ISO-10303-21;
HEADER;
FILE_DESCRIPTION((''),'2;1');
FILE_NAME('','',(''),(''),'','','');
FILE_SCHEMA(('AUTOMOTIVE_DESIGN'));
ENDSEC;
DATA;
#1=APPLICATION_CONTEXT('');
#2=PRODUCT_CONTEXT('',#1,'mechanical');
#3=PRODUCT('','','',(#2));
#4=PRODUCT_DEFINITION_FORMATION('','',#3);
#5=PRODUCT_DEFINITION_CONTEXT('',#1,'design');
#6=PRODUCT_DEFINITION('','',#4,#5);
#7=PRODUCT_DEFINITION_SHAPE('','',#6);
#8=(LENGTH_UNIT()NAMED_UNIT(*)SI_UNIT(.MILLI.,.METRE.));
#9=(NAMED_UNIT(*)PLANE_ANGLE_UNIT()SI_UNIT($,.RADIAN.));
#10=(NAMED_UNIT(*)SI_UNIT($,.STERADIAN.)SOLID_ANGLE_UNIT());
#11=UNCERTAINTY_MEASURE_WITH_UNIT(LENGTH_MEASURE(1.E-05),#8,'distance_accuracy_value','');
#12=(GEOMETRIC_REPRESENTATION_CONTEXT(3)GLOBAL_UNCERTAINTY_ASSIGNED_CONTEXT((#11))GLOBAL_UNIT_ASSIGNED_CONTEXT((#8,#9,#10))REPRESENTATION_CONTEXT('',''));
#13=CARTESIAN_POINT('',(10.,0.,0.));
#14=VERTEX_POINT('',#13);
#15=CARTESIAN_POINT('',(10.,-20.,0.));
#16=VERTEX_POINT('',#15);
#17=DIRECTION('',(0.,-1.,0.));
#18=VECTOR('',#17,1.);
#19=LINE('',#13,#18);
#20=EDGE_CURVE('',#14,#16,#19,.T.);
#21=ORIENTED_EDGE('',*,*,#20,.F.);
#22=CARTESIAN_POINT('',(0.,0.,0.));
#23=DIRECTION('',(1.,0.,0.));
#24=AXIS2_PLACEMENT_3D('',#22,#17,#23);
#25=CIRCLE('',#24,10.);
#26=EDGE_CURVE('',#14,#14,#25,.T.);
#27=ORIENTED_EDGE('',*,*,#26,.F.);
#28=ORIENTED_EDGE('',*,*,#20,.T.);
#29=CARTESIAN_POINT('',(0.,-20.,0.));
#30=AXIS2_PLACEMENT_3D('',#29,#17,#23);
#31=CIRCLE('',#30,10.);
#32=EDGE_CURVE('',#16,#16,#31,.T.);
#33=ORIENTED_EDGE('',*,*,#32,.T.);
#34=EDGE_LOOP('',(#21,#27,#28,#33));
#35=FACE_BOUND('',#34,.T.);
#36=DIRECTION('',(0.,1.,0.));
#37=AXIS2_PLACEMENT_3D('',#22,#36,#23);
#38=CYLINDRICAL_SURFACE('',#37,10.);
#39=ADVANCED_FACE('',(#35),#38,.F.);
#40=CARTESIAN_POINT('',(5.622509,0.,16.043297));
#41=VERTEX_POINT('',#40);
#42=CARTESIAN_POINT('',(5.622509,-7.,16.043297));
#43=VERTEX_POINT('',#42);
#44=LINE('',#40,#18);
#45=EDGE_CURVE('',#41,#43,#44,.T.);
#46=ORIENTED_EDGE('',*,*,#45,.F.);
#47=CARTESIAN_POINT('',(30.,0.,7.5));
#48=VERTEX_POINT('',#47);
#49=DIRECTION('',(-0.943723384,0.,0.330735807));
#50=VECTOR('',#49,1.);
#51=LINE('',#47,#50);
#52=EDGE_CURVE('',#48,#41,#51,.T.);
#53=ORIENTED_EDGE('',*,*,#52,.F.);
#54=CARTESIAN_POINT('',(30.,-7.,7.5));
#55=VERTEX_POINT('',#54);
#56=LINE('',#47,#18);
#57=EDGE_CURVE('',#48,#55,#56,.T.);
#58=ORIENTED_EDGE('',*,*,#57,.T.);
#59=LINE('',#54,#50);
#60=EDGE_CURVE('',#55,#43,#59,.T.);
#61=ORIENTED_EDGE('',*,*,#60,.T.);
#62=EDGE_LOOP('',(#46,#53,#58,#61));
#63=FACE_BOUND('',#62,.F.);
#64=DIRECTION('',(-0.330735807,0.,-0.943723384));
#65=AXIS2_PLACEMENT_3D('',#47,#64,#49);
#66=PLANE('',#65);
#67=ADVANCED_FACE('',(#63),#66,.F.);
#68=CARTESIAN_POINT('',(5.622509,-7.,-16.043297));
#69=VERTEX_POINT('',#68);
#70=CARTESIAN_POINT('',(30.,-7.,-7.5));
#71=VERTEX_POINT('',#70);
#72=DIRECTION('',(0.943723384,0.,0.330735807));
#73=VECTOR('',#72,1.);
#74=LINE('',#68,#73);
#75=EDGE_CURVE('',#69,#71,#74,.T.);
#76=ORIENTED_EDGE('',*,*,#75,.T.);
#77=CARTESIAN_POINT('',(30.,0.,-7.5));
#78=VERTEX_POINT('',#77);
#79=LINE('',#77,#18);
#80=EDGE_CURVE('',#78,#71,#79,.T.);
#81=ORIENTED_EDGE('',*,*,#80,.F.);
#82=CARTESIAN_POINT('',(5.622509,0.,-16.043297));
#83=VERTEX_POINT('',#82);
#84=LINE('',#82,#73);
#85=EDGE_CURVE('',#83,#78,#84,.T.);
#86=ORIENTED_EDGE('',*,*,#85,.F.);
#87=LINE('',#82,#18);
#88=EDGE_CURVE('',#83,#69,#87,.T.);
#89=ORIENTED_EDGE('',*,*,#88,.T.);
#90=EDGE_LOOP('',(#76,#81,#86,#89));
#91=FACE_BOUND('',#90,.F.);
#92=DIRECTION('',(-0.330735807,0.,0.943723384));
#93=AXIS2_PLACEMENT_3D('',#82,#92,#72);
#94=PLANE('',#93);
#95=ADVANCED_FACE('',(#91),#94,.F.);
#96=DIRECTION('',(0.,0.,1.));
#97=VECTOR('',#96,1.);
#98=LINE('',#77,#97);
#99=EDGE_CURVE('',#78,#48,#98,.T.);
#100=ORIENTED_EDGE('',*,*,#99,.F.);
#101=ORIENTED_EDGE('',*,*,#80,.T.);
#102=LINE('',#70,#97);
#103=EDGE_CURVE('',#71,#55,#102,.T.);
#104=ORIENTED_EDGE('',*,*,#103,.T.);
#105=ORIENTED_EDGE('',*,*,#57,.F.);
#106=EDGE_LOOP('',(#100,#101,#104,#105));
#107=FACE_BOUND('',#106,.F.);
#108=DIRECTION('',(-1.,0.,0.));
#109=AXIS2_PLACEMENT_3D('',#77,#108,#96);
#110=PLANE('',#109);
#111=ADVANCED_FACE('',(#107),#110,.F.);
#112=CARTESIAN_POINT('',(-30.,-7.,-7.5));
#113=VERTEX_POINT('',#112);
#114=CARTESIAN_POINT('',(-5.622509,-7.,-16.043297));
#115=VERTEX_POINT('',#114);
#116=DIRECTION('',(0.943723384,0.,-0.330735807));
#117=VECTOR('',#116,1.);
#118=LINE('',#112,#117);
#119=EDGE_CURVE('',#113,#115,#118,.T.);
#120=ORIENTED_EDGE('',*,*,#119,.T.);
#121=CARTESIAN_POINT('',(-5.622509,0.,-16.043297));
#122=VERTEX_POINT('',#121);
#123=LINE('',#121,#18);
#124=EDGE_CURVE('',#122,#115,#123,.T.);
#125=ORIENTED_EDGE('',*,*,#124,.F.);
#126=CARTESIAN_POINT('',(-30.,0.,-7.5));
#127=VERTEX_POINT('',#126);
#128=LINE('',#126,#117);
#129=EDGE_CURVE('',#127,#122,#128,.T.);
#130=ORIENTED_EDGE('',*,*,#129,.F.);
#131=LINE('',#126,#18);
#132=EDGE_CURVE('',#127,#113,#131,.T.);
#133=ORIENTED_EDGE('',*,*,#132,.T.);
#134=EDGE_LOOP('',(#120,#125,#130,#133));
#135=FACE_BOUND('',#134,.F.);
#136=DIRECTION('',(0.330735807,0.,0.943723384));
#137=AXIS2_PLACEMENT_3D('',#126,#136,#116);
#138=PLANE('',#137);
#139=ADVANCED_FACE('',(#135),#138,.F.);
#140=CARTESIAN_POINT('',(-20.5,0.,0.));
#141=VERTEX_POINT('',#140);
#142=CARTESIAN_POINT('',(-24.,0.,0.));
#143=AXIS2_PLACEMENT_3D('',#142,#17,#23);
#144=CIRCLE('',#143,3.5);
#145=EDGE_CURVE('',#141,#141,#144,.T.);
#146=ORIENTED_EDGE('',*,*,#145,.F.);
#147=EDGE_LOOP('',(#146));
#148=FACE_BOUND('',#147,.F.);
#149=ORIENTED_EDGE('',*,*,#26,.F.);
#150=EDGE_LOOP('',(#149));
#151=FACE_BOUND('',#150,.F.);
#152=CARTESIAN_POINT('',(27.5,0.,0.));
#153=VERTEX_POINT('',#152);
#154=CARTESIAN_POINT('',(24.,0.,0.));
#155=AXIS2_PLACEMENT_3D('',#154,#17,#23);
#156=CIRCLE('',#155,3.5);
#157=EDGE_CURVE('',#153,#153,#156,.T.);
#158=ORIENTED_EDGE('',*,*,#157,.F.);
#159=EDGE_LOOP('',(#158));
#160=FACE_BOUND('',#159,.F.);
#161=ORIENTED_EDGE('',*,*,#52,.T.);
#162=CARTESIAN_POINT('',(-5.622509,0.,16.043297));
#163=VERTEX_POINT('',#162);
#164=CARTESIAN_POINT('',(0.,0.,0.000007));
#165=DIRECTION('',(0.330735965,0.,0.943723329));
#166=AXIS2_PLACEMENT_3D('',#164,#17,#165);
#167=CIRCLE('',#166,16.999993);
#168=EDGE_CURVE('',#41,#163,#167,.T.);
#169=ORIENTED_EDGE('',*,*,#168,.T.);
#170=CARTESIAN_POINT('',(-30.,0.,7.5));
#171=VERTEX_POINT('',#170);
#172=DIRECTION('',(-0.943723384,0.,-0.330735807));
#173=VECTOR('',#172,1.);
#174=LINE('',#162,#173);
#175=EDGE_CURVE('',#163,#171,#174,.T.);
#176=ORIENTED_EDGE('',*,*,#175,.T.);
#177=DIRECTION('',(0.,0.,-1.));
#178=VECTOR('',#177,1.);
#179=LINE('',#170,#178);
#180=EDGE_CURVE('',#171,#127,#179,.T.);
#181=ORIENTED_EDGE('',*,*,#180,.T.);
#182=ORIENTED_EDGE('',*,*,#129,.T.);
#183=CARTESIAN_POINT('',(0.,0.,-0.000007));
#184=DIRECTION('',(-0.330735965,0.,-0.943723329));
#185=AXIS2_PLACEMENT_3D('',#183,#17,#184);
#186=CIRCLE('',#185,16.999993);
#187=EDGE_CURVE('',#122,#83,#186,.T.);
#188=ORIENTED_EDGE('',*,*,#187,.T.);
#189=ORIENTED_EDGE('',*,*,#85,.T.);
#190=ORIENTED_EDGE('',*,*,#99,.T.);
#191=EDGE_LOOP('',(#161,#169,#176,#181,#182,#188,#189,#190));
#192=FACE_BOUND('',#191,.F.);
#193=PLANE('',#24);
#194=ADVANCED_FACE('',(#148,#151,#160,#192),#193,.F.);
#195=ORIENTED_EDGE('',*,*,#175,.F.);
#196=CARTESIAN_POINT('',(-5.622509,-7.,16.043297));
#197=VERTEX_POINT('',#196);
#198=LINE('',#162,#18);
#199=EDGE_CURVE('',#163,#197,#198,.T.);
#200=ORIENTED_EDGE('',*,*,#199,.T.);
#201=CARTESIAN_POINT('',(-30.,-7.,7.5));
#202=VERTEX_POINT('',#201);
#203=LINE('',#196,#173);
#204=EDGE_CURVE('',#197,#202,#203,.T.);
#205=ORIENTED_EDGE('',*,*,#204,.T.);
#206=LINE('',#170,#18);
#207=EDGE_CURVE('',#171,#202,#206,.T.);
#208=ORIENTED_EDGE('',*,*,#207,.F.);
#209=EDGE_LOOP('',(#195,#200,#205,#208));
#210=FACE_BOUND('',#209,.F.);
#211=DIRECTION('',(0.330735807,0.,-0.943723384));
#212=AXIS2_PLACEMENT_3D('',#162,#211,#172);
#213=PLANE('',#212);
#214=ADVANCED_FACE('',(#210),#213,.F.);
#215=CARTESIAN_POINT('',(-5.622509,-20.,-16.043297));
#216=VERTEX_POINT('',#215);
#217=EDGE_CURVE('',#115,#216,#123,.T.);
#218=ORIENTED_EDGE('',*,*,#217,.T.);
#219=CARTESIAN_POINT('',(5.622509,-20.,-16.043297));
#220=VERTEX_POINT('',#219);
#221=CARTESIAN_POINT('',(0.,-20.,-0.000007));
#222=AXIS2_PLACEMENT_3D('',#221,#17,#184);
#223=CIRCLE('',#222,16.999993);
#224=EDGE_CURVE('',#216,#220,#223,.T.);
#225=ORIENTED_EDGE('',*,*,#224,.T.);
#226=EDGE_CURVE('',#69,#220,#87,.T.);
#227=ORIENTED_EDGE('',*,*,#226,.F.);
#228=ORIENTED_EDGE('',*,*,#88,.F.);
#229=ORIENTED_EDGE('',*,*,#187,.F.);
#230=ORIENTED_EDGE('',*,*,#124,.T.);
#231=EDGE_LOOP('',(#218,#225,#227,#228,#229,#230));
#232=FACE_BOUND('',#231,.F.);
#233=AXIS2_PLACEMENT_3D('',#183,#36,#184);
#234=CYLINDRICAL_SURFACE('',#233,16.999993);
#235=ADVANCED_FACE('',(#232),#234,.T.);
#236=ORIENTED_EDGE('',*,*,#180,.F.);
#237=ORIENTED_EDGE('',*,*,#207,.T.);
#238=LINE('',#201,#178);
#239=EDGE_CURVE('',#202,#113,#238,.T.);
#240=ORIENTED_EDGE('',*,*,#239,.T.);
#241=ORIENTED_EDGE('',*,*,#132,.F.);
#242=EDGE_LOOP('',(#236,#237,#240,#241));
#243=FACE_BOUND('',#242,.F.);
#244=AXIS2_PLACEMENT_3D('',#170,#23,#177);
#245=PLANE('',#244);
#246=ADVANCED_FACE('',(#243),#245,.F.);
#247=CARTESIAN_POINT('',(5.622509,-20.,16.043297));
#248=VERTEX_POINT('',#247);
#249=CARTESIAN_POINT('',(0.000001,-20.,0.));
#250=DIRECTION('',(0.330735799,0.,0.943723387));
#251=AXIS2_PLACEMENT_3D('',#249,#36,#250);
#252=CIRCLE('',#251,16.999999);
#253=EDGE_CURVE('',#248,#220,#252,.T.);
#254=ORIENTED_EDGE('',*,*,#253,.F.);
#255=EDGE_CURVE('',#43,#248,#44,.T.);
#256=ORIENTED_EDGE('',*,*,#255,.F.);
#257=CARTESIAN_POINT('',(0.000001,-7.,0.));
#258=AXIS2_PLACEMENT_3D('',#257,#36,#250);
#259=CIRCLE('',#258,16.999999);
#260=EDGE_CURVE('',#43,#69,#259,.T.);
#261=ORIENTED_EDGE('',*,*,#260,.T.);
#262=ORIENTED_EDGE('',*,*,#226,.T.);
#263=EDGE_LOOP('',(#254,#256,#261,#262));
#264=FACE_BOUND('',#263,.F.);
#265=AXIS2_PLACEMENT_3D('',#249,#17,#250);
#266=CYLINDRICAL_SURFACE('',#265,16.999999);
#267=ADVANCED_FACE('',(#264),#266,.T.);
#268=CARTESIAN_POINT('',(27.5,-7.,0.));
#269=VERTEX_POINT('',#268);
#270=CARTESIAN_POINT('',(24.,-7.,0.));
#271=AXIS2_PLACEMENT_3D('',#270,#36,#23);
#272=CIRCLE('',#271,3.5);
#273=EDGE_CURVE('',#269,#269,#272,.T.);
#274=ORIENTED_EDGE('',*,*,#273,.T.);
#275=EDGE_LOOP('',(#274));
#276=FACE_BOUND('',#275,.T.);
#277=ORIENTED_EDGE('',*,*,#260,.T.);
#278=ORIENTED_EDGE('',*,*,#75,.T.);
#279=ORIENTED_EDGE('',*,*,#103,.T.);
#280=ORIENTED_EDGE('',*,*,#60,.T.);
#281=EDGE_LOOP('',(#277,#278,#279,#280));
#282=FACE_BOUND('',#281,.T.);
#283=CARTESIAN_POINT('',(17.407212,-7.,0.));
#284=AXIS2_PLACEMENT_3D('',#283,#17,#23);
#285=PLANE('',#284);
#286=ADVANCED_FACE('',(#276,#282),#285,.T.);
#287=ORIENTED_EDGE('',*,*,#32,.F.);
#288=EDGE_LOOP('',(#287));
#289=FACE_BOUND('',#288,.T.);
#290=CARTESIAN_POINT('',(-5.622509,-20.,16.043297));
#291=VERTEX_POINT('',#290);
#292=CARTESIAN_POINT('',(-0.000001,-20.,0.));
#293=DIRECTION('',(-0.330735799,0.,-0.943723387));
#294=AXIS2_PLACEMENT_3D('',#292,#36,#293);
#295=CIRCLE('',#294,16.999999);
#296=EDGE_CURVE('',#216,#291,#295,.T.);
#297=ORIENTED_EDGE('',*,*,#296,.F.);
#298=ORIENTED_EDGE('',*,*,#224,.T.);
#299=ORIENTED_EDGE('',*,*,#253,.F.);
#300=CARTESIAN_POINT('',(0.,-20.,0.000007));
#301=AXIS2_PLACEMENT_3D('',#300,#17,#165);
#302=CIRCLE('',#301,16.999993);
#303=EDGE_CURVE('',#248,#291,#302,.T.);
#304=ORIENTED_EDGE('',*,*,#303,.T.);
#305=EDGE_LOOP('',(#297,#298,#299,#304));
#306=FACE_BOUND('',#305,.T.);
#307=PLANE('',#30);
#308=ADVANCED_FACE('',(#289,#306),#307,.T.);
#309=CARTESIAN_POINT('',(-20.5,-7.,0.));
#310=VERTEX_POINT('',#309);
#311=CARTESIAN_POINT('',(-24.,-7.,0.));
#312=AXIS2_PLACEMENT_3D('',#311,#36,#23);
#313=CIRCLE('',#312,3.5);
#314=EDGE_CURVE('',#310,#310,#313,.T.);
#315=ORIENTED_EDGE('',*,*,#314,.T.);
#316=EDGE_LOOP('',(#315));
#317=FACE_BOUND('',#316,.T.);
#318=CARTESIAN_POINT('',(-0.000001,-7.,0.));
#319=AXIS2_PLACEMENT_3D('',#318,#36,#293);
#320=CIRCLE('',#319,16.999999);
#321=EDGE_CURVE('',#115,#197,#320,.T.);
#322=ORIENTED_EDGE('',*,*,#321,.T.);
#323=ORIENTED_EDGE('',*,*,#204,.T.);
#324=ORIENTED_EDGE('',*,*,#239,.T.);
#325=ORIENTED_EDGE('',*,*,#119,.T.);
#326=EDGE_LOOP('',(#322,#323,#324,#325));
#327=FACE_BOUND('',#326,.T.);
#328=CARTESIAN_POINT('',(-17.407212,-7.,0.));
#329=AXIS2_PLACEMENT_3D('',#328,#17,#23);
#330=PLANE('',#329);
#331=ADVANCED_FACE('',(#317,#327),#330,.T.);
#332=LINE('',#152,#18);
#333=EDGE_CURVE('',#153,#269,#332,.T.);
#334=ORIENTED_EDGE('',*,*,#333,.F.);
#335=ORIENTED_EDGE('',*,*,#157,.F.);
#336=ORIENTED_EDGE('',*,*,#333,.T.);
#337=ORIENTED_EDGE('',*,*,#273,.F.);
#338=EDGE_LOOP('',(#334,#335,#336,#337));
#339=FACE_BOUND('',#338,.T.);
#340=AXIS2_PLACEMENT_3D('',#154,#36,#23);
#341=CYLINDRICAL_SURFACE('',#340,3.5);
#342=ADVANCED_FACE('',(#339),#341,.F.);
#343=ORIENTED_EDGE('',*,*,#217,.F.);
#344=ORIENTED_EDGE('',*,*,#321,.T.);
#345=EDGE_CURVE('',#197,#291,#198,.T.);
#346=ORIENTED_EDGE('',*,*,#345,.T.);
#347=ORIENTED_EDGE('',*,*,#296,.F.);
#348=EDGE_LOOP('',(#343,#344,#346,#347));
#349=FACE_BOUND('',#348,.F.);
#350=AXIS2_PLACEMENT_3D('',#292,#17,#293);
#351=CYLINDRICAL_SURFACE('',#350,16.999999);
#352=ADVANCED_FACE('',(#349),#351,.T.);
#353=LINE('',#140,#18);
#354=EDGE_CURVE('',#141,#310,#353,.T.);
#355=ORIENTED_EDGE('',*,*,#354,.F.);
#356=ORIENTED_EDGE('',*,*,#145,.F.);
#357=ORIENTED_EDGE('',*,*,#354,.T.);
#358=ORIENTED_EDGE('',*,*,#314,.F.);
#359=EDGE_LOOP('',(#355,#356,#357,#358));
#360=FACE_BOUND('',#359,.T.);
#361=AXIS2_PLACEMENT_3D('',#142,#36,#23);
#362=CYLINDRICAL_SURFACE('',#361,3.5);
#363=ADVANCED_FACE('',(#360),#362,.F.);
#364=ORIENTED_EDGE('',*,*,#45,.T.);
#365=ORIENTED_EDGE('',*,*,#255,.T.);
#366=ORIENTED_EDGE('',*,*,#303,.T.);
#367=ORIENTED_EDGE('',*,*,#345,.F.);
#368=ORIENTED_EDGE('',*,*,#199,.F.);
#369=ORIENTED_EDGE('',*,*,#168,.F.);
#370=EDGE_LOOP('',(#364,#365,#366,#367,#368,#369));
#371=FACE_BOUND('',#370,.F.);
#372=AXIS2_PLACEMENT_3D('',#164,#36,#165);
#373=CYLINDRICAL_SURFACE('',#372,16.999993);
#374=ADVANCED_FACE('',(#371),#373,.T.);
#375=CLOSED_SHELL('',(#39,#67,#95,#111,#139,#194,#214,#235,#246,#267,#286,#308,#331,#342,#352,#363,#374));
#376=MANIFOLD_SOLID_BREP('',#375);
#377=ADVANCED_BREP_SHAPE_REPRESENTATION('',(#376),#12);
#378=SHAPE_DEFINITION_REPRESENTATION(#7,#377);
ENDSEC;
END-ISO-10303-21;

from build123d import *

# Parameters (mm, degrees)
F0_R     = 3.5
F0_R_2   = 10
F1_DEPTH = 20
F3_DEPTH = 13


with BuildPart() as f1:
    # F0 (on Front) → F1 (new body)
    with BuildSketch(Plane.XZ):
        with BuildLine():
            Line((30, -7.5), (30, 7.5))
            Line((30, 7.5), (5.622509, 16.043297))
            ThreePointArc((5.622509, 16.043297), (0, 17), (-5.622509, 16.043297))
            Line((-5.622509, 16.043297), (-30, 7.5))
            Line((-30, 7.5), (-30, -7.5))
            Line((-30, -7.5), (-5.622509, -16.043297))
            ThreePointArc((-5.622509, -16.043297), (0, -17), (5.622509, -16.043297))
            Line((5.622509, -16.043297), (30, -7.5))
        make_face()
        with Locations((-24, 0)):
            Circle(F0_R, mode=Mode.SUBTRACT)
        Circle(F0_R_2, mode=Mode.SUBTRACT)
        with Locations((24, 0)):
            Circle(F0_R, mode=Mode.SUBTRACT)
    extrude(amount=F1_DEPTH)

    # F2 (on face) → F3 (cut)
    with BuildSketch(Plane.XZ.offset(20)):
        with BuildLine():
            ThreePointArc((-5.622509, -16.043297), (-17, 0), (-5.622509, 16.043297))
            Line((-5.622509, 16.043297), (-30, 7.5))
            Line((-30, 7.5), (-30, -7.5))
            Line((-30, -7.5), (-5.622509, -16.043297))
        make_face()
        with BuildLine():
            ThreePointArc((5.622509, 16.043297), (17, 0), (5.622509, -16.043297))
            Line((5.622509, -16.043297), (30, -7.5))
            Line((30, -7.5), (30, 7.5))
            Line((30, 7.5), (5.622509, 16.043297))
        make_face()
    extrude(amount=-F3_DEPTH, mode=Mode.SUBTRACT)


solid = f1.part
